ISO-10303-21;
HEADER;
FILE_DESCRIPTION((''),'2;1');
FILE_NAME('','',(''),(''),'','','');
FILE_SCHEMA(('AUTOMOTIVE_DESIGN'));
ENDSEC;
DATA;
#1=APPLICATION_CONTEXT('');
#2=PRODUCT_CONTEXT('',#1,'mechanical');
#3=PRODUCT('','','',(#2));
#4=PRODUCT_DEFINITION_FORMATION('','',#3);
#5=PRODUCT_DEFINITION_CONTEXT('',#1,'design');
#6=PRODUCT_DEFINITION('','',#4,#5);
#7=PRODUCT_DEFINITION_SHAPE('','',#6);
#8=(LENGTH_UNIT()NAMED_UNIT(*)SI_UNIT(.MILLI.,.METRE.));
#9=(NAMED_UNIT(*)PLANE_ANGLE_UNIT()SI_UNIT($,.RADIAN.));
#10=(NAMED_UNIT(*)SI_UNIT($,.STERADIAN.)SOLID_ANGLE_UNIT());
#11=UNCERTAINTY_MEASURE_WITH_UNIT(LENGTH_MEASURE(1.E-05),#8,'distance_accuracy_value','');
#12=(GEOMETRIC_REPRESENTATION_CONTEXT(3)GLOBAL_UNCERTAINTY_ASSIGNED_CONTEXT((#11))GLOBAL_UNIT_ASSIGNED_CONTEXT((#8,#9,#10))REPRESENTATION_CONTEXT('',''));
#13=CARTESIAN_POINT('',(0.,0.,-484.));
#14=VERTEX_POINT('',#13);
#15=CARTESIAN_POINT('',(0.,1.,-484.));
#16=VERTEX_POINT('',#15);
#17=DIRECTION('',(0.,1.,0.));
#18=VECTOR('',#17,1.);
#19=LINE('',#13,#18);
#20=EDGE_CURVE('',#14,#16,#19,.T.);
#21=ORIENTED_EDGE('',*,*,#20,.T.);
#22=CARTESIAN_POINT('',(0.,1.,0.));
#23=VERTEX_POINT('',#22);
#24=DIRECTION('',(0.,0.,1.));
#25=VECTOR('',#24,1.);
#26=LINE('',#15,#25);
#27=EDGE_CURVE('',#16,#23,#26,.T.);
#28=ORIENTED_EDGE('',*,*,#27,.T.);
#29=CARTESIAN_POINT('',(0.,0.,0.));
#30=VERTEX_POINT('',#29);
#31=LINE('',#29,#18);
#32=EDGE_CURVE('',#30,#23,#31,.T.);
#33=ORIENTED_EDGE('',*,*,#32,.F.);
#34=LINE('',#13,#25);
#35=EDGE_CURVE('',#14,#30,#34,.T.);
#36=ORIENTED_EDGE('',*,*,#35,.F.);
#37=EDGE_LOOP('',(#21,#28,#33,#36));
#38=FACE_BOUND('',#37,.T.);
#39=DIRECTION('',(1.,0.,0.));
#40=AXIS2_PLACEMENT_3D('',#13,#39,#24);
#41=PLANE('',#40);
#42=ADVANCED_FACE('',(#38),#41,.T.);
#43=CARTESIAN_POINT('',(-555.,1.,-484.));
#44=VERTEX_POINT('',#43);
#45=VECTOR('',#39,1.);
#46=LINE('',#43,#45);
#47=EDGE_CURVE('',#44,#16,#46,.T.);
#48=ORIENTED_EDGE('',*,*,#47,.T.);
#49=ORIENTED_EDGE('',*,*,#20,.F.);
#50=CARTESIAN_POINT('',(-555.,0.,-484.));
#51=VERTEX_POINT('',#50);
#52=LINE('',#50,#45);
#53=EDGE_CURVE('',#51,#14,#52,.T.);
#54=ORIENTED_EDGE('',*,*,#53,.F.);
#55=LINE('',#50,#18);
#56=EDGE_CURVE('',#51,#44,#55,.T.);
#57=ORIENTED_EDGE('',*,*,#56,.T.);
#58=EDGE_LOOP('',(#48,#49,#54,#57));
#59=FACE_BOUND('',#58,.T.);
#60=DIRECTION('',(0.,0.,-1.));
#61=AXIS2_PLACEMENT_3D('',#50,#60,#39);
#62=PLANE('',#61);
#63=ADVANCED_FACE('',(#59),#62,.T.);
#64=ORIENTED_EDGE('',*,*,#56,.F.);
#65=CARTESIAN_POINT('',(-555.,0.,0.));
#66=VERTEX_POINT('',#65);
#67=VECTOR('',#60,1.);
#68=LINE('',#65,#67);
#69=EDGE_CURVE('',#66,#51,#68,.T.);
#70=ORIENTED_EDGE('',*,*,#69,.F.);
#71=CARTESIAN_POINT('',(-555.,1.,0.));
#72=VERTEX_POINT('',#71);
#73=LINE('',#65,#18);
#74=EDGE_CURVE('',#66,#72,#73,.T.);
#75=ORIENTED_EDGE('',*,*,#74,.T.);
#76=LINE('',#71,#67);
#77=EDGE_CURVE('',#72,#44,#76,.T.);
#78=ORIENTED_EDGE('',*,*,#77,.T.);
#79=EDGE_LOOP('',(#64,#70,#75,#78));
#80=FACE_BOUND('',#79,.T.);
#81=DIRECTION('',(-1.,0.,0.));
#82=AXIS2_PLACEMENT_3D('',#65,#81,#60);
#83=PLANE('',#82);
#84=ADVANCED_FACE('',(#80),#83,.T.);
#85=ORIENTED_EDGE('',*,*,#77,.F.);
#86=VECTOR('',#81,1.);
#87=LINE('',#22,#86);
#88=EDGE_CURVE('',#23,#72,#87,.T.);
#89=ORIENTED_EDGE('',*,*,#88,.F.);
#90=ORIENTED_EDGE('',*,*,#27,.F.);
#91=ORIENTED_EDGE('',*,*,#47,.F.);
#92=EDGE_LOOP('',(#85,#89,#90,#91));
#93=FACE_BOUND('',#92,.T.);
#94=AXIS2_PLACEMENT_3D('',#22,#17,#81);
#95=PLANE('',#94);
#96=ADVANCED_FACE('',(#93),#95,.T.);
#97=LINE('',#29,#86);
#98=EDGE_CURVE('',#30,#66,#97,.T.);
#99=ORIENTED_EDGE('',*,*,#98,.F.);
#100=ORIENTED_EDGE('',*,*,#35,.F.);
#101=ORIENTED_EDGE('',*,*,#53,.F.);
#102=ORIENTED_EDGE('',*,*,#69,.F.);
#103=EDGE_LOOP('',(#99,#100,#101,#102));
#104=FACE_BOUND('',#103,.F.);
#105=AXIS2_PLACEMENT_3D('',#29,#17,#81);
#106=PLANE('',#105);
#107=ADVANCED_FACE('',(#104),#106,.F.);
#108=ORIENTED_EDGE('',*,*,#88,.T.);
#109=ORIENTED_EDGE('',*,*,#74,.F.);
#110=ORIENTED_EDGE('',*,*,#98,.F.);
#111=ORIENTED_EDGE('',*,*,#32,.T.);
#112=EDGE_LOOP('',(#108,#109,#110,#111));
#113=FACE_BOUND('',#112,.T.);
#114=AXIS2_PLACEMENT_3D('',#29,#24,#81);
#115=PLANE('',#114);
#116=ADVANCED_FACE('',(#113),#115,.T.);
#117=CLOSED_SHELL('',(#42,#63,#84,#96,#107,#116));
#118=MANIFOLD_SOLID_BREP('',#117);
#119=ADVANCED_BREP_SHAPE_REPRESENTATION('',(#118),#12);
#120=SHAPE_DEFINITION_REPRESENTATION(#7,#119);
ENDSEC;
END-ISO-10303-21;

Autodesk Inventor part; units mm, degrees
ref_plane "YZ Plane" through (0, 0, 0) normal (1, 0, 0) x (0, 1, 0)
ref_plane "XZ Plane" through (0, 0, 0) normal (0, 1, 0) x (-1, 0, 0)
ref_plane "XY Plane" through (0, 0, 0) normal (0, 0, 1) x (1, 0, 0)
sketch "Sketch1" plane through (0, 0, 0) normal (0, 1, 0) x (-1, 0, 0)
  line L0 (0, 0) -> (555, 0)
  line L1 (555, 0) -> (555, -484)
  line L2 (555, -484) -> (0, -484)
  line L3 (0, -484) -> (0, 0)
  dimension "d0" = 484
  dimension "d1" = 555
extrude "Extrusion1" add sketch "Sketch1" along normal blind 1
properties part number "glass" material "Glass"
